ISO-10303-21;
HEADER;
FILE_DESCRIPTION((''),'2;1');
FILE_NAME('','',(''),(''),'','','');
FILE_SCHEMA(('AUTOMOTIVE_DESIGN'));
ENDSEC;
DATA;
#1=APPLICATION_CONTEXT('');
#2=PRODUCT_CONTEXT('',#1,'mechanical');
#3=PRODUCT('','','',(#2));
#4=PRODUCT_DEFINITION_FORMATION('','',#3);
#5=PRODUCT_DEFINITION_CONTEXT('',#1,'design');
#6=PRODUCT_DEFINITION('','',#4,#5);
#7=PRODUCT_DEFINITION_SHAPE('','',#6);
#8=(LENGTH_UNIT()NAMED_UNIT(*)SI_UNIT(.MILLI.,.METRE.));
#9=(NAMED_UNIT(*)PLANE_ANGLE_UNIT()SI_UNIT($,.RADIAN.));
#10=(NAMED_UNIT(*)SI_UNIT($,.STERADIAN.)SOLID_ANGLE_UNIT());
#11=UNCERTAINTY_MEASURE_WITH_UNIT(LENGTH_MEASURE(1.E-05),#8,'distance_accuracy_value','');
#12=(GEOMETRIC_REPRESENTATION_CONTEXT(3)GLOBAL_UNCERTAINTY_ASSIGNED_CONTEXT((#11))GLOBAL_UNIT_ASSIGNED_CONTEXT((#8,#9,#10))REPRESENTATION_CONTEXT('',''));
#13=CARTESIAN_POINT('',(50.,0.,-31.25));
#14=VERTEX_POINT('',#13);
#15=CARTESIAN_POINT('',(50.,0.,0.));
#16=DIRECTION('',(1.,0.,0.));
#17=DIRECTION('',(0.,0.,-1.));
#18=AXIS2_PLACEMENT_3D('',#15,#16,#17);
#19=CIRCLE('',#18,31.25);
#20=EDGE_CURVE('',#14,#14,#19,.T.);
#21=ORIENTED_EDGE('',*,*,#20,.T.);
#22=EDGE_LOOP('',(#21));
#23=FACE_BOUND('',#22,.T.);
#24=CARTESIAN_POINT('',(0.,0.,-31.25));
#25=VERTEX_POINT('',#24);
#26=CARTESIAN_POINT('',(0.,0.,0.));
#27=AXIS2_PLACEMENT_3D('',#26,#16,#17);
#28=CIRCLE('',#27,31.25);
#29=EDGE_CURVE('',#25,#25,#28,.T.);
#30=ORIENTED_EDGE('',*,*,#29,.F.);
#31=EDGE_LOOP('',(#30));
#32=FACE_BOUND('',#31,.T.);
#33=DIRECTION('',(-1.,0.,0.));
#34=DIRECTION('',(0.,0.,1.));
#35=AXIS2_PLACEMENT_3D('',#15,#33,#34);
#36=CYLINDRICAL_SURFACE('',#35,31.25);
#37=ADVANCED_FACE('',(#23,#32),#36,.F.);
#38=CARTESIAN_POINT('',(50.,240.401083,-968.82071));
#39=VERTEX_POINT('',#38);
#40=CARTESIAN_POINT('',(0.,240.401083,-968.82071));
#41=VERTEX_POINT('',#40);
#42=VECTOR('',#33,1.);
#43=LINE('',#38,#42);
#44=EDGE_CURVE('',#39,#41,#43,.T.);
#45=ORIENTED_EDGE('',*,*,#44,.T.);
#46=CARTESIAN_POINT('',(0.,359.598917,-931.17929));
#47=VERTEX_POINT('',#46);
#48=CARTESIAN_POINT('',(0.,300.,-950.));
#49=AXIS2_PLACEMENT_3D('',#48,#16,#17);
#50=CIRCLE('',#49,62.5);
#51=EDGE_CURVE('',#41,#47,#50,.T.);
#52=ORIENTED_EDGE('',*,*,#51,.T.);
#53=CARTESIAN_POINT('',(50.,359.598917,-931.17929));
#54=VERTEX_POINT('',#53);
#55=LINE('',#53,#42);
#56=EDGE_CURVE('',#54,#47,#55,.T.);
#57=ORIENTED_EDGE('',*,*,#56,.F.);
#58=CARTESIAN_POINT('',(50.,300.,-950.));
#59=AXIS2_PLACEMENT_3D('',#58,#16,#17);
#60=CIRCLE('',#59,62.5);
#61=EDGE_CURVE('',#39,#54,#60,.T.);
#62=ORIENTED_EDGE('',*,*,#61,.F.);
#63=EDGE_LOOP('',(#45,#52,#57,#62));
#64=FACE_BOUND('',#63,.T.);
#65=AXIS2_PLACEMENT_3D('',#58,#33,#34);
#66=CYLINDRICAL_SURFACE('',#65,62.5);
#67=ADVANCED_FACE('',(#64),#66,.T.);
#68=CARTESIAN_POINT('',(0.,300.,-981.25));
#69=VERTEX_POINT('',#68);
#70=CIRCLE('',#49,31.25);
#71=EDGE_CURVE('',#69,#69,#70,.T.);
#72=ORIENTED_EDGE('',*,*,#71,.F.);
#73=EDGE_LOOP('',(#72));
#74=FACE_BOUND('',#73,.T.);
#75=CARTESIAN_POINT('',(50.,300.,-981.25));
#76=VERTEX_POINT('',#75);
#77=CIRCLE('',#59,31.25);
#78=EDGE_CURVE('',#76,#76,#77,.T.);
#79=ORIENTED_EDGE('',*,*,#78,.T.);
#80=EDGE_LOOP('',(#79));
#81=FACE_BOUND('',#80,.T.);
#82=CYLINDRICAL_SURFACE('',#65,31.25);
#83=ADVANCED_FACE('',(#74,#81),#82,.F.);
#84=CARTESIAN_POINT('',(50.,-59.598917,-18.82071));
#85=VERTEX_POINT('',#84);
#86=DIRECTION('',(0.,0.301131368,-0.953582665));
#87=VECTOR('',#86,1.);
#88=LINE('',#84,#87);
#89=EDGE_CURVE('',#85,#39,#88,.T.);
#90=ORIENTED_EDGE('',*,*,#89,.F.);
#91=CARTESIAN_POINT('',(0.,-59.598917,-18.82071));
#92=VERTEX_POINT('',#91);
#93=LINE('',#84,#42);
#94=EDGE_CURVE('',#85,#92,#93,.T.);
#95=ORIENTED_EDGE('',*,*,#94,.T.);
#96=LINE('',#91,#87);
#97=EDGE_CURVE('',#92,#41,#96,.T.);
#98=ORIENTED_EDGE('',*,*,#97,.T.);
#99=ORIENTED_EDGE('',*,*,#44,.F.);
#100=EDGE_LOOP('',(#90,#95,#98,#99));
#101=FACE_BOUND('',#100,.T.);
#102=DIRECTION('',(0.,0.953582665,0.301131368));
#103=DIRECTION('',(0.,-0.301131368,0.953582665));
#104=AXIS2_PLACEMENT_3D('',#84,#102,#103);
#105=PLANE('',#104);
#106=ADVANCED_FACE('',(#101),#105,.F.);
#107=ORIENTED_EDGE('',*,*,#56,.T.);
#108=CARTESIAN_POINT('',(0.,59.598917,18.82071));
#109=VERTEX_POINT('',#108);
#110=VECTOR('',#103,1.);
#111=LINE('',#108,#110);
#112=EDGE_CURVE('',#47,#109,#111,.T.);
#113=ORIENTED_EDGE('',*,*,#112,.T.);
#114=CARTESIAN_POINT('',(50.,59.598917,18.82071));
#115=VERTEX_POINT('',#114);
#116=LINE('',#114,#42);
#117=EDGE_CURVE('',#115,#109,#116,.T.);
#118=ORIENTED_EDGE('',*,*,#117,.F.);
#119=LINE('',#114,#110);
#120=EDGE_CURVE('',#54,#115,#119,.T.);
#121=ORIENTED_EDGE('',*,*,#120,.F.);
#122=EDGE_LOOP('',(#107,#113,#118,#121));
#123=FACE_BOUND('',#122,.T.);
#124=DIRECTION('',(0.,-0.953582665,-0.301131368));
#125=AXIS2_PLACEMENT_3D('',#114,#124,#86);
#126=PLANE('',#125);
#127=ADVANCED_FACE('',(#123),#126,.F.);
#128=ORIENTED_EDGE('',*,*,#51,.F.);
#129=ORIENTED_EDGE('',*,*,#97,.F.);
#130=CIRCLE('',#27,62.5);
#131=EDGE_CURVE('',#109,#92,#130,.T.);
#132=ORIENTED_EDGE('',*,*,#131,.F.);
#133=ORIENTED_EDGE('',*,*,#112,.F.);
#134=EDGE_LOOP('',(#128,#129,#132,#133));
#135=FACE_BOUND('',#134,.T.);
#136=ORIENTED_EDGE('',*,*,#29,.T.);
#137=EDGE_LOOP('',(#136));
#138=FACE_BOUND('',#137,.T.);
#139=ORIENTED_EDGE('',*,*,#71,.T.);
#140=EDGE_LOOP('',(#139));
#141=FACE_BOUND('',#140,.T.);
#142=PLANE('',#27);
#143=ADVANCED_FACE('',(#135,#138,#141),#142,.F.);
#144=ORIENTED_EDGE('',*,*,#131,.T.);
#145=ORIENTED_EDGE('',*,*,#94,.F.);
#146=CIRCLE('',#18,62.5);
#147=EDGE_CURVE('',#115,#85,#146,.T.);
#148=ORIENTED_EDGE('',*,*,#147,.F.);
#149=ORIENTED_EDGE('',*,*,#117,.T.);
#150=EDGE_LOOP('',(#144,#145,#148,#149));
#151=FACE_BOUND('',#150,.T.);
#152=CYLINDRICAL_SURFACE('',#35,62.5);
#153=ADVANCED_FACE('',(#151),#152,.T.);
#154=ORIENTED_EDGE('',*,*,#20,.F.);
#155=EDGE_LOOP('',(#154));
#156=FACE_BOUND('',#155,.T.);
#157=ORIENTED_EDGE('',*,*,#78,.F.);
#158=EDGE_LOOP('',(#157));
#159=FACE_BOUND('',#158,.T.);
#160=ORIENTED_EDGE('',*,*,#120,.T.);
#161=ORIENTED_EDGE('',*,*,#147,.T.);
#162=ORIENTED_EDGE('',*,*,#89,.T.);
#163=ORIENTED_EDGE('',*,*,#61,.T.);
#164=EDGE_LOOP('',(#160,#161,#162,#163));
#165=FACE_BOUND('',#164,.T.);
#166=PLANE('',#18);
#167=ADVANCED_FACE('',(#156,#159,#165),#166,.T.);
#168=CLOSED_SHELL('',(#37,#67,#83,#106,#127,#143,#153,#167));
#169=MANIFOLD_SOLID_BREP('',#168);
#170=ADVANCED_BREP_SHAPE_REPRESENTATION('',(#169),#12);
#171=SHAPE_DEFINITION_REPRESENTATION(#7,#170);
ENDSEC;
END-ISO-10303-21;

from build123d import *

# Parameters (mm, degrees)
SKETCH2_R           = 31.25
BOSS_EXTRUDE1_DEPTH = 50


with BuildPart() as part:
    # Sketch2 → Boss-Extrude1 (new body)
    with BuildSketch(Plane(origin=(0, 0, 0), x_dir=(0, 0, -1), z_dir=(1, 0, 0))):
        with BuildLine():
            Line((-18.820710496, 59.598916571), (931.179289504, 359.598916571))
            ThreePointArc((931.179289504, 359.598916571), (1009.598916571, 318.820710496), (968.820710496, 240.401083429))
            Line((968.820710496, 240.401083429), (18.820710496, -59.598916571))
            ThreePointArc((18.820710496, -59.598916571), (-59.598916571, -18.820710496), (-18.820710496, 59.598916571))
        make_face()
        Circle(SKETCH2_R, mode=Mode.SUBTRACT)
        with Locations((950, 300)):
            Circle(SKETCH2_R, mode=Mode.SUBTRACT)
    extrude(amount=BOSS_EXTRUDE1_DEPTH)


solid = part.part
